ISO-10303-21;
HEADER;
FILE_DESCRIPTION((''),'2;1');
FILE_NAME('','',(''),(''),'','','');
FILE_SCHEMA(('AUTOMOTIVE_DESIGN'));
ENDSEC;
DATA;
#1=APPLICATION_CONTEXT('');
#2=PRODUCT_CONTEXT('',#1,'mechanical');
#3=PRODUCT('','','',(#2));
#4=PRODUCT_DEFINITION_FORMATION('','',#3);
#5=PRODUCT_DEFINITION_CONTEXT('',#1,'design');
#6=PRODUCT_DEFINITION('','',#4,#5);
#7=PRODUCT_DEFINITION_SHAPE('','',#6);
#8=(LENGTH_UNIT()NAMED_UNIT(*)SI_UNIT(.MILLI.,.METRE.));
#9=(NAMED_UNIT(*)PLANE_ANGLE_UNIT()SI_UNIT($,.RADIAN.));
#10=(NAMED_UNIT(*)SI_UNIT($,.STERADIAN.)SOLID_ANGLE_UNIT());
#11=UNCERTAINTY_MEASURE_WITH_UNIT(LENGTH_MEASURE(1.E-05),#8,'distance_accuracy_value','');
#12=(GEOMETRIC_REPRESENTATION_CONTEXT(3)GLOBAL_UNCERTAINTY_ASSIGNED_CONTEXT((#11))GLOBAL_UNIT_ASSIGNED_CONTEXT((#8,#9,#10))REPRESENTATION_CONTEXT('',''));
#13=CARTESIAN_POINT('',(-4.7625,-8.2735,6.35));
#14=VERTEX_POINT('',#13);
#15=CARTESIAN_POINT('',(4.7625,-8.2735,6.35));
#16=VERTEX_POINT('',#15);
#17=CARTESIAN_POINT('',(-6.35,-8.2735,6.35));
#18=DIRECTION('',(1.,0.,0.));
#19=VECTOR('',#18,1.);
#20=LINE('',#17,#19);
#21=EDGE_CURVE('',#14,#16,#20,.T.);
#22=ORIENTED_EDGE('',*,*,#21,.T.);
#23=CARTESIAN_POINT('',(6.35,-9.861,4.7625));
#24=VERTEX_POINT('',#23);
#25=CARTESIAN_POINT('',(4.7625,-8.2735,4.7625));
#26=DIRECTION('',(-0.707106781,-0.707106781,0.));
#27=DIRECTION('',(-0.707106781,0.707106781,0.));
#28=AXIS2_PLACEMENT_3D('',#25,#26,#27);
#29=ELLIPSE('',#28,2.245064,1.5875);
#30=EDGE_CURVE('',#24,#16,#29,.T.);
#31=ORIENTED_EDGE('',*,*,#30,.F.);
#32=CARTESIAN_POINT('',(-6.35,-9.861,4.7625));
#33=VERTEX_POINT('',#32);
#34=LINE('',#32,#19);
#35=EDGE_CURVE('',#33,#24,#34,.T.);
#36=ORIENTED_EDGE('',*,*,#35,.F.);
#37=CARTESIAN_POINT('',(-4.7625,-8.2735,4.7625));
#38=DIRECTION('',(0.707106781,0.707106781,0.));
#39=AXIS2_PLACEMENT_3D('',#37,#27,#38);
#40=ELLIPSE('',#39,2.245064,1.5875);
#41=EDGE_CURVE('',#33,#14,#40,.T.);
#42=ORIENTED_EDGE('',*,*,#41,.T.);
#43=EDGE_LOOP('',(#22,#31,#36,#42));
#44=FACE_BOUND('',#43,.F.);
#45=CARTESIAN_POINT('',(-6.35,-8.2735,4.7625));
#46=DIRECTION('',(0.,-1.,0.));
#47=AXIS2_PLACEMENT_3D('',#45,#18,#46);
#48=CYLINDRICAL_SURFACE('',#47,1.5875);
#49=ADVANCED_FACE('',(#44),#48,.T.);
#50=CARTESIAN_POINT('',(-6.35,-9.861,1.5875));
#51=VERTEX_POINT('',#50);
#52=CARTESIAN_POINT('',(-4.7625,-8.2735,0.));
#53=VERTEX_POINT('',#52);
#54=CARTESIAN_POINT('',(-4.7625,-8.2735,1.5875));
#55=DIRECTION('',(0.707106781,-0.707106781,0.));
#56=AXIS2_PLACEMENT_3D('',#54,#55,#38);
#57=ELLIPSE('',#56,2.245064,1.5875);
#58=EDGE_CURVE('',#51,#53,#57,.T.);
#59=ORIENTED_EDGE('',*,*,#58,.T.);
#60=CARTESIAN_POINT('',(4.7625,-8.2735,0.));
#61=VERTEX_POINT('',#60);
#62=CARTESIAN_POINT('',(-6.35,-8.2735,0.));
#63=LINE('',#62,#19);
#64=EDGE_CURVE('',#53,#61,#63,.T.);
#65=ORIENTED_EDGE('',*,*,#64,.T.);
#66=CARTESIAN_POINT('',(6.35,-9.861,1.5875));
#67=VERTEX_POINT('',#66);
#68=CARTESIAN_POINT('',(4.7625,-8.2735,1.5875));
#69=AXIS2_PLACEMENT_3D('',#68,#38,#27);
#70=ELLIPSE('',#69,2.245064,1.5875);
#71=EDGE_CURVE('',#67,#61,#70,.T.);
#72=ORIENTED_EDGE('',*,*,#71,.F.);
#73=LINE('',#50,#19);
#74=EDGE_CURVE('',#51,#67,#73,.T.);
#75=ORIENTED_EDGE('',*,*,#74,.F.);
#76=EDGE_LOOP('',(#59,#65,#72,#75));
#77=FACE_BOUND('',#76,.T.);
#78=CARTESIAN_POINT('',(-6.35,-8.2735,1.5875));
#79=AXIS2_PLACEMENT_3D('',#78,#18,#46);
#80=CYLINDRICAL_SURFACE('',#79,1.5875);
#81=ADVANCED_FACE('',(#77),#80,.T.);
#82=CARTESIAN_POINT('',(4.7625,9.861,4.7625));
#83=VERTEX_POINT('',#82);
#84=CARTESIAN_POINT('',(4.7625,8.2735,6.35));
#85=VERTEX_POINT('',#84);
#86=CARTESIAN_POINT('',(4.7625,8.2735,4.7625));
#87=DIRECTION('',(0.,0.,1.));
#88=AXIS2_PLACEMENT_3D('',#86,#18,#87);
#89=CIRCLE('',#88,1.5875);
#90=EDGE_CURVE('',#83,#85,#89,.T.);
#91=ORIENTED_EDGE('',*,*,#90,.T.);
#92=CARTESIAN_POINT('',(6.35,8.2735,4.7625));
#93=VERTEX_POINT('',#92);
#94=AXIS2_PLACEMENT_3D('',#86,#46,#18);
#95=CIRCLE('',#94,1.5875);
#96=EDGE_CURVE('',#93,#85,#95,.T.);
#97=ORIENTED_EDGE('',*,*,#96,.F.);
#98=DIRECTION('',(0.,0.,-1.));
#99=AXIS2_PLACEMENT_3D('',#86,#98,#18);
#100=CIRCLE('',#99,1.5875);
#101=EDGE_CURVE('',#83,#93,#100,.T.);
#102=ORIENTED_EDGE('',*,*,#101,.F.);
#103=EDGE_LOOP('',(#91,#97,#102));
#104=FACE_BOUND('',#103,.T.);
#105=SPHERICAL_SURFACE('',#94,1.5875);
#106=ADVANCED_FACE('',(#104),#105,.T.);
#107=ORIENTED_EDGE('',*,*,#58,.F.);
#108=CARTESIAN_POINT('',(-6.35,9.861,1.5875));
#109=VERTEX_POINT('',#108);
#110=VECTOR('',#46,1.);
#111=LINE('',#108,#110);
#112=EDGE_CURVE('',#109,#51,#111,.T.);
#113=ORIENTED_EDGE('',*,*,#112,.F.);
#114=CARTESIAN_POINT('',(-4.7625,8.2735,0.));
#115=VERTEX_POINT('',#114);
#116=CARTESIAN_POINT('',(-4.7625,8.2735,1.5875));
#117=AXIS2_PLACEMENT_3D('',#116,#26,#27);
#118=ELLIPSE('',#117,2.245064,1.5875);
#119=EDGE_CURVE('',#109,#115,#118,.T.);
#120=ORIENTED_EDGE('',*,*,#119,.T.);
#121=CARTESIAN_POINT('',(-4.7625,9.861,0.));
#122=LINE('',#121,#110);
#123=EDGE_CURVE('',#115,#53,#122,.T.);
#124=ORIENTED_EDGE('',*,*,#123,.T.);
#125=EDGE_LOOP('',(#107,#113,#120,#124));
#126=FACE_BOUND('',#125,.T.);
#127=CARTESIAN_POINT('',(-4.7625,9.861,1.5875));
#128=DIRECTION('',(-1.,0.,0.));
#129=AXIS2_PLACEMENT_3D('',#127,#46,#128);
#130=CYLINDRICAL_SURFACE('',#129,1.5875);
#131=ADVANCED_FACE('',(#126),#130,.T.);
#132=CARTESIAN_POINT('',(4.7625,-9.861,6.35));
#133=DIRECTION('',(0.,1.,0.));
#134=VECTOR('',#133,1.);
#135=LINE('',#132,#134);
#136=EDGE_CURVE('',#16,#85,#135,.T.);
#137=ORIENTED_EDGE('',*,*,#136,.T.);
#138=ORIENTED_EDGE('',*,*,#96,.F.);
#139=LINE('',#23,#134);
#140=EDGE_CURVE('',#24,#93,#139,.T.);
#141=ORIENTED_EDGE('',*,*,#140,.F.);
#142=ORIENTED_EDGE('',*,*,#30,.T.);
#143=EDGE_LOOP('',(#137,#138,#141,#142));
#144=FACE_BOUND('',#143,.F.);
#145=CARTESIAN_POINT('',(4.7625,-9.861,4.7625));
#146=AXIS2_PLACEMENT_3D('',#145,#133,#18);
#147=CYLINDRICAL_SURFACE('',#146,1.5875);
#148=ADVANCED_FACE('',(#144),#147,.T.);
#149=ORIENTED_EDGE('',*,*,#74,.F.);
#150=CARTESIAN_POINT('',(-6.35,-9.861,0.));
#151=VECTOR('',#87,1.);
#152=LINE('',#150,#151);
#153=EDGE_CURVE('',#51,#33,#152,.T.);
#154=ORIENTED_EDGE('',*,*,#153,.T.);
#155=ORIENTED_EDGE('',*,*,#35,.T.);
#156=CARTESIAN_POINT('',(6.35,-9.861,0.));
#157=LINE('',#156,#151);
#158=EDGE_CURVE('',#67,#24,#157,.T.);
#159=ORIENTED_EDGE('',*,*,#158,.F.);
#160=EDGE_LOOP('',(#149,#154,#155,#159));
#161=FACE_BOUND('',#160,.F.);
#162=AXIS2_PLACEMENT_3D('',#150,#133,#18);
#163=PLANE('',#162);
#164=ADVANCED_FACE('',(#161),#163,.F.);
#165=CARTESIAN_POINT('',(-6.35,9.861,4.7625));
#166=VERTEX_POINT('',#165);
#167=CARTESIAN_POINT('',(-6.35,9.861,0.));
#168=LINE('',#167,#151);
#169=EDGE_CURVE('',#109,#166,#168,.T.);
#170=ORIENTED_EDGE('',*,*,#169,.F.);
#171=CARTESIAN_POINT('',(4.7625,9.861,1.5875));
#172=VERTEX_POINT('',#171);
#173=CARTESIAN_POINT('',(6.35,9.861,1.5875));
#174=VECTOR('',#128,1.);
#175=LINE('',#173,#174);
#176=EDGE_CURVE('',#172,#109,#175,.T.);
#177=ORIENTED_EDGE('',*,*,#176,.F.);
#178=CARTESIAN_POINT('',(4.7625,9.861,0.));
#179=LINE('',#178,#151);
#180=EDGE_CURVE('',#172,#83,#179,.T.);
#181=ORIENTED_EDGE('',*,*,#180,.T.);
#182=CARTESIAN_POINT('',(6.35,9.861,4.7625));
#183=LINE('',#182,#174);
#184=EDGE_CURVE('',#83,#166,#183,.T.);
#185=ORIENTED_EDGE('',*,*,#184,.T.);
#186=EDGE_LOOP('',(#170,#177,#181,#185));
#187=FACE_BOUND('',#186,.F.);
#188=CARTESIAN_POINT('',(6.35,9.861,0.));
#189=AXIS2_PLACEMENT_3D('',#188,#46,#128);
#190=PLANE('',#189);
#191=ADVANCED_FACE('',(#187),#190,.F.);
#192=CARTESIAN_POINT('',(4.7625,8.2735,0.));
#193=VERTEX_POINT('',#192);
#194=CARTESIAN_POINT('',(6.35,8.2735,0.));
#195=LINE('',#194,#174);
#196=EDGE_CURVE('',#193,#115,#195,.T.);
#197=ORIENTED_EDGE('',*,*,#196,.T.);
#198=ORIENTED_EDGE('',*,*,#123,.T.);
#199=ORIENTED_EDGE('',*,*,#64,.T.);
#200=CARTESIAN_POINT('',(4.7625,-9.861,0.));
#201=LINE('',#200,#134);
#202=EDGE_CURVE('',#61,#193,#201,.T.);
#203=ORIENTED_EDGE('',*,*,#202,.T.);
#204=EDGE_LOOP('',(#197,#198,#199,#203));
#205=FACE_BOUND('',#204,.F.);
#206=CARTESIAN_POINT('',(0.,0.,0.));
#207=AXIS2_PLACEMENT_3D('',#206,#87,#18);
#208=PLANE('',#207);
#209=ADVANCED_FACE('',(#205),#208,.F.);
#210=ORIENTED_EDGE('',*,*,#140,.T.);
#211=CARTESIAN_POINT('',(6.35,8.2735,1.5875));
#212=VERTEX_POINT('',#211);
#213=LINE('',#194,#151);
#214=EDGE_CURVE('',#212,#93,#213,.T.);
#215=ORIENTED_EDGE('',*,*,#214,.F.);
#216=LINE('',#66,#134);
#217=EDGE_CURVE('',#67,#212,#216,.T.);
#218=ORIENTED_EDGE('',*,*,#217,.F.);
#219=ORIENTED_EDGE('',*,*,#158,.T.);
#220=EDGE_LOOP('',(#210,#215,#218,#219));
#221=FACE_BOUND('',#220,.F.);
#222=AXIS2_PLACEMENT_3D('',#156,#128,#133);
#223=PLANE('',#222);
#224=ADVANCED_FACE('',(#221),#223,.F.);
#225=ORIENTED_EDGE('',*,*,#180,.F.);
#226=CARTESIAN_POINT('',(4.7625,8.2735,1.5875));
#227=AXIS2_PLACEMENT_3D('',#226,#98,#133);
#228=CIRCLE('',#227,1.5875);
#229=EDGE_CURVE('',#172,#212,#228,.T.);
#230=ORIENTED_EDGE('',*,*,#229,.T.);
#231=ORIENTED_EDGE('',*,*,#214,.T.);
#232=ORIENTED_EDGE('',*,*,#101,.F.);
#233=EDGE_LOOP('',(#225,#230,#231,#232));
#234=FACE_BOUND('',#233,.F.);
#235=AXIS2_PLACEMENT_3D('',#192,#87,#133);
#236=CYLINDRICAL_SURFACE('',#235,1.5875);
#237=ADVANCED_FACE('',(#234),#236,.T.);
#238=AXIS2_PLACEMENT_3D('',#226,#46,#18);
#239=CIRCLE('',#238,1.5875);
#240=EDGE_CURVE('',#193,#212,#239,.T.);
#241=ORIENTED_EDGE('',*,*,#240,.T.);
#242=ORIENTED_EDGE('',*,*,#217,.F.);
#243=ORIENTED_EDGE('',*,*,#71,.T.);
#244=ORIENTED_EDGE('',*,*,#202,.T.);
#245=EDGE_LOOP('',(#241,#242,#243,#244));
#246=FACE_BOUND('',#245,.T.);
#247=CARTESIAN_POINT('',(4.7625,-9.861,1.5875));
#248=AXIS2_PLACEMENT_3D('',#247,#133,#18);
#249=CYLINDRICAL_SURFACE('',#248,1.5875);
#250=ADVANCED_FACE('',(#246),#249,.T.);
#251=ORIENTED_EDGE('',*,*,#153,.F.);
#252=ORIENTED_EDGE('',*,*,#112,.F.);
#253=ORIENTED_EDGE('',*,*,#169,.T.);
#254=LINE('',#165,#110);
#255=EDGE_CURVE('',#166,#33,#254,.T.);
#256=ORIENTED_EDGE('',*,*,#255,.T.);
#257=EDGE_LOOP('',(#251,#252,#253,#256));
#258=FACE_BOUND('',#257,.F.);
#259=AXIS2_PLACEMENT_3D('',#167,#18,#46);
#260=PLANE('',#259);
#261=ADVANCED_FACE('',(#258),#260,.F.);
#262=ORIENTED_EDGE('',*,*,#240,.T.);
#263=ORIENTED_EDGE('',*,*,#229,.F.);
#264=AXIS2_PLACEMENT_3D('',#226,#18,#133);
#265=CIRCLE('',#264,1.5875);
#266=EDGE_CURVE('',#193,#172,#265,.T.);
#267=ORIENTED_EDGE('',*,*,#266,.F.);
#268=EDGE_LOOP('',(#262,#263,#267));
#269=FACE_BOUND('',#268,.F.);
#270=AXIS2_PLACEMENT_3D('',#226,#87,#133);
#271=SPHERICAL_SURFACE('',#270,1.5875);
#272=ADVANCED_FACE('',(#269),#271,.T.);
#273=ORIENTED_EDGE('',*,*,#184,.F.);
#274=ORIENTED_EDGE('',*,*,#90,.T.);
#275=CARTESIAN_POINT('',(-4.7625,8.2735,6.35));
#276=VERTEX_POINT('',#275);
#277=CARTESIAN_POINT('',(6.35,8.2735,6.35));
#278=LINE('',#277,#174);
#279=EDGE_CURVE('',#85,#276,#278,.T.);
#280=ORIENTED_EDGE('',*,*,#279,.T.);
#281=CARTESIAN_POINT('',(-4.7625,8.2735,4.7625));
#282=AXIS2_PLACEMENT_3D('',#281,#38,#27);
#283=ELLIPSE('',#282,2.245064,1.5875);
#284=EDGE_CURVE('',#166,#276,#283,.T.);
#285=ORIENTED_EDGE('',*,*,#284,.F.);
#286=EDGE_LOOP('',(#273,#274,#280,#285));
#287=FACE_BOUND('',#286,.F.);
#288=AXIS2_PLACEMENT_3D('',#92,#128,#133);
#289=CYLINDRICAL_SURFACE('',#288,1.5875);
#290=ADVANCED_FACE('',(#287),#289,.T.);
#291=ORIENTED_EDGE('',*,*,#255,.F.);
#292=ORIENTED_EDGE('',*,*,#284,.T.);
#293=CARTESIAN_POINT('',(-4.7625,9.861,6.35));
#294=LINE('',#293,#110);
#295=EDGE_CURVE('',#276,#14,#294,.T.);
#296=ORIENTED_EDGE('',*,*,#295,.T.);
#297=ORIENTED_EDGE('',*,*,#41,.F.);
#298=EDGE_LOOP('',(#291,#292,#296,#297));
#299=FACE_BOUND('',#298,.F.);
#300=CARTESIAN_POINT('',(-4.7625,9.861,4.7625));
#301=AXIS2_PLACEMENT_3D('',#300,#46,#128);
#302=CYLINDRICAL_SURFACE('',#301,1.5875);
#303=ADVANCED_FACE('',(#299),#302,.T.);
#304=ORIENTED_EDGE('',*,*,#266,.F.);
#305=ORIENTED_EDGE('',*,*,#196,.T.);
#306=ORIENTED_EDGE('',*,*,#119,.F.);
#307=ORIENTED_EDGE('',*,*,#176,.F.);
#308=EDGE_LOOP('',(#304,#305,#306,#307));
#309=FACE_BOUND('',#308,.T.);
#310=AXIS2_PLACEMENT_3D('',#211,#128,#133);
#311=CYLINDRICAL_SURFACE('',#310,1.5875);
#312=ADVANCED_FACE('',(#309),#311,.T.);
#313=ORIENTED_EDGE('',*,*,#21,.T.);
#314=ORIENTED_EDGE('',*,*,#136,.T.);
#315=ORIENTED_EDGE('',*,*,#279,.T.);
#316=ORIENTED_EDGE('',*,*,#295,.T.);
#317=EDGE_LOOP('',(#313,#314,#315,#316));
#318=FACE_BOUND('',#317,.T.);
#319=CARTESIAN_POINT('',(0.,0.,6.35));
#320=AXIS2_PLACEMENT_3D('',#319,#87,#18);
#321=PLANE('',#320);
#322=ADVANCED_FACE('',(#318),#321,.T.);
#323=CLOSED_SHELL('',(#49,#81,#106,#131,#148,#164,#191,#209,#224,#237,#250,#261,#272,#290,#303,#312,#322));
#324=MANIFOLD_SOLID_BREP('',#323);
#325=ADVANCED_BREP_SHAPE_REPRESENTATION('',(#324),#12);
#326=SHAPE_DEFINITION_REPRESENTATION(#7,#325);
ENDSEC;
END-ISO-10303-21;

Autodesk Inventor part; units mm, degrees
ref_plane "YZ Plane" through (0, 0, 0) normal (1, 0, 0) x (0, 1, 0)
ref_plane "XZ Plane" through (0, 0, 0) normal (0, 1, 0) x (-1, 0, 0)
ref_plane "XY Plane" through (0, 0, 0) normal (0, 0, 1) x (1, 0, 0)
sketch "Sketch1" plane through (0, 0, 0) normal (0, 0, 1) x (1, 0, 0)
  line L0 (-6.35, -9.861) -> (6.35, -9.861)
  line L1 (6.35, -9.861) -> (6.35, 9.861)
  line L2 (6.35, 9.861) -> (-6.35, 9.861)
  line L3 (-6.35, 9.861) -> (-6.35, -9.861)
  line L4 (-6.35, -9.861) -> (6.35, 9.861) construction
  line L5 (6.35, -9.861) -> (-6.35, 9.861) construction
  point P0 (0, 0)
  dimension "d0" = 12.7
extrude "Extrusion1" add sketch "Sketch1" along normal blind 6.35
fillet "Fillet1" radius 1.5875 9 edges at (6.35, 0, 6.35) (6.35, 9.861, 3.175) (0, 9.861, 6.35) (0, 9.861, 0) (6.35, 0, 0) (0, -9.861, 6.35) (0, -9.861, 0) (-6.35, 0, 0) (-6.35, 0, 6.35)
properties part number "Motor Controller"
